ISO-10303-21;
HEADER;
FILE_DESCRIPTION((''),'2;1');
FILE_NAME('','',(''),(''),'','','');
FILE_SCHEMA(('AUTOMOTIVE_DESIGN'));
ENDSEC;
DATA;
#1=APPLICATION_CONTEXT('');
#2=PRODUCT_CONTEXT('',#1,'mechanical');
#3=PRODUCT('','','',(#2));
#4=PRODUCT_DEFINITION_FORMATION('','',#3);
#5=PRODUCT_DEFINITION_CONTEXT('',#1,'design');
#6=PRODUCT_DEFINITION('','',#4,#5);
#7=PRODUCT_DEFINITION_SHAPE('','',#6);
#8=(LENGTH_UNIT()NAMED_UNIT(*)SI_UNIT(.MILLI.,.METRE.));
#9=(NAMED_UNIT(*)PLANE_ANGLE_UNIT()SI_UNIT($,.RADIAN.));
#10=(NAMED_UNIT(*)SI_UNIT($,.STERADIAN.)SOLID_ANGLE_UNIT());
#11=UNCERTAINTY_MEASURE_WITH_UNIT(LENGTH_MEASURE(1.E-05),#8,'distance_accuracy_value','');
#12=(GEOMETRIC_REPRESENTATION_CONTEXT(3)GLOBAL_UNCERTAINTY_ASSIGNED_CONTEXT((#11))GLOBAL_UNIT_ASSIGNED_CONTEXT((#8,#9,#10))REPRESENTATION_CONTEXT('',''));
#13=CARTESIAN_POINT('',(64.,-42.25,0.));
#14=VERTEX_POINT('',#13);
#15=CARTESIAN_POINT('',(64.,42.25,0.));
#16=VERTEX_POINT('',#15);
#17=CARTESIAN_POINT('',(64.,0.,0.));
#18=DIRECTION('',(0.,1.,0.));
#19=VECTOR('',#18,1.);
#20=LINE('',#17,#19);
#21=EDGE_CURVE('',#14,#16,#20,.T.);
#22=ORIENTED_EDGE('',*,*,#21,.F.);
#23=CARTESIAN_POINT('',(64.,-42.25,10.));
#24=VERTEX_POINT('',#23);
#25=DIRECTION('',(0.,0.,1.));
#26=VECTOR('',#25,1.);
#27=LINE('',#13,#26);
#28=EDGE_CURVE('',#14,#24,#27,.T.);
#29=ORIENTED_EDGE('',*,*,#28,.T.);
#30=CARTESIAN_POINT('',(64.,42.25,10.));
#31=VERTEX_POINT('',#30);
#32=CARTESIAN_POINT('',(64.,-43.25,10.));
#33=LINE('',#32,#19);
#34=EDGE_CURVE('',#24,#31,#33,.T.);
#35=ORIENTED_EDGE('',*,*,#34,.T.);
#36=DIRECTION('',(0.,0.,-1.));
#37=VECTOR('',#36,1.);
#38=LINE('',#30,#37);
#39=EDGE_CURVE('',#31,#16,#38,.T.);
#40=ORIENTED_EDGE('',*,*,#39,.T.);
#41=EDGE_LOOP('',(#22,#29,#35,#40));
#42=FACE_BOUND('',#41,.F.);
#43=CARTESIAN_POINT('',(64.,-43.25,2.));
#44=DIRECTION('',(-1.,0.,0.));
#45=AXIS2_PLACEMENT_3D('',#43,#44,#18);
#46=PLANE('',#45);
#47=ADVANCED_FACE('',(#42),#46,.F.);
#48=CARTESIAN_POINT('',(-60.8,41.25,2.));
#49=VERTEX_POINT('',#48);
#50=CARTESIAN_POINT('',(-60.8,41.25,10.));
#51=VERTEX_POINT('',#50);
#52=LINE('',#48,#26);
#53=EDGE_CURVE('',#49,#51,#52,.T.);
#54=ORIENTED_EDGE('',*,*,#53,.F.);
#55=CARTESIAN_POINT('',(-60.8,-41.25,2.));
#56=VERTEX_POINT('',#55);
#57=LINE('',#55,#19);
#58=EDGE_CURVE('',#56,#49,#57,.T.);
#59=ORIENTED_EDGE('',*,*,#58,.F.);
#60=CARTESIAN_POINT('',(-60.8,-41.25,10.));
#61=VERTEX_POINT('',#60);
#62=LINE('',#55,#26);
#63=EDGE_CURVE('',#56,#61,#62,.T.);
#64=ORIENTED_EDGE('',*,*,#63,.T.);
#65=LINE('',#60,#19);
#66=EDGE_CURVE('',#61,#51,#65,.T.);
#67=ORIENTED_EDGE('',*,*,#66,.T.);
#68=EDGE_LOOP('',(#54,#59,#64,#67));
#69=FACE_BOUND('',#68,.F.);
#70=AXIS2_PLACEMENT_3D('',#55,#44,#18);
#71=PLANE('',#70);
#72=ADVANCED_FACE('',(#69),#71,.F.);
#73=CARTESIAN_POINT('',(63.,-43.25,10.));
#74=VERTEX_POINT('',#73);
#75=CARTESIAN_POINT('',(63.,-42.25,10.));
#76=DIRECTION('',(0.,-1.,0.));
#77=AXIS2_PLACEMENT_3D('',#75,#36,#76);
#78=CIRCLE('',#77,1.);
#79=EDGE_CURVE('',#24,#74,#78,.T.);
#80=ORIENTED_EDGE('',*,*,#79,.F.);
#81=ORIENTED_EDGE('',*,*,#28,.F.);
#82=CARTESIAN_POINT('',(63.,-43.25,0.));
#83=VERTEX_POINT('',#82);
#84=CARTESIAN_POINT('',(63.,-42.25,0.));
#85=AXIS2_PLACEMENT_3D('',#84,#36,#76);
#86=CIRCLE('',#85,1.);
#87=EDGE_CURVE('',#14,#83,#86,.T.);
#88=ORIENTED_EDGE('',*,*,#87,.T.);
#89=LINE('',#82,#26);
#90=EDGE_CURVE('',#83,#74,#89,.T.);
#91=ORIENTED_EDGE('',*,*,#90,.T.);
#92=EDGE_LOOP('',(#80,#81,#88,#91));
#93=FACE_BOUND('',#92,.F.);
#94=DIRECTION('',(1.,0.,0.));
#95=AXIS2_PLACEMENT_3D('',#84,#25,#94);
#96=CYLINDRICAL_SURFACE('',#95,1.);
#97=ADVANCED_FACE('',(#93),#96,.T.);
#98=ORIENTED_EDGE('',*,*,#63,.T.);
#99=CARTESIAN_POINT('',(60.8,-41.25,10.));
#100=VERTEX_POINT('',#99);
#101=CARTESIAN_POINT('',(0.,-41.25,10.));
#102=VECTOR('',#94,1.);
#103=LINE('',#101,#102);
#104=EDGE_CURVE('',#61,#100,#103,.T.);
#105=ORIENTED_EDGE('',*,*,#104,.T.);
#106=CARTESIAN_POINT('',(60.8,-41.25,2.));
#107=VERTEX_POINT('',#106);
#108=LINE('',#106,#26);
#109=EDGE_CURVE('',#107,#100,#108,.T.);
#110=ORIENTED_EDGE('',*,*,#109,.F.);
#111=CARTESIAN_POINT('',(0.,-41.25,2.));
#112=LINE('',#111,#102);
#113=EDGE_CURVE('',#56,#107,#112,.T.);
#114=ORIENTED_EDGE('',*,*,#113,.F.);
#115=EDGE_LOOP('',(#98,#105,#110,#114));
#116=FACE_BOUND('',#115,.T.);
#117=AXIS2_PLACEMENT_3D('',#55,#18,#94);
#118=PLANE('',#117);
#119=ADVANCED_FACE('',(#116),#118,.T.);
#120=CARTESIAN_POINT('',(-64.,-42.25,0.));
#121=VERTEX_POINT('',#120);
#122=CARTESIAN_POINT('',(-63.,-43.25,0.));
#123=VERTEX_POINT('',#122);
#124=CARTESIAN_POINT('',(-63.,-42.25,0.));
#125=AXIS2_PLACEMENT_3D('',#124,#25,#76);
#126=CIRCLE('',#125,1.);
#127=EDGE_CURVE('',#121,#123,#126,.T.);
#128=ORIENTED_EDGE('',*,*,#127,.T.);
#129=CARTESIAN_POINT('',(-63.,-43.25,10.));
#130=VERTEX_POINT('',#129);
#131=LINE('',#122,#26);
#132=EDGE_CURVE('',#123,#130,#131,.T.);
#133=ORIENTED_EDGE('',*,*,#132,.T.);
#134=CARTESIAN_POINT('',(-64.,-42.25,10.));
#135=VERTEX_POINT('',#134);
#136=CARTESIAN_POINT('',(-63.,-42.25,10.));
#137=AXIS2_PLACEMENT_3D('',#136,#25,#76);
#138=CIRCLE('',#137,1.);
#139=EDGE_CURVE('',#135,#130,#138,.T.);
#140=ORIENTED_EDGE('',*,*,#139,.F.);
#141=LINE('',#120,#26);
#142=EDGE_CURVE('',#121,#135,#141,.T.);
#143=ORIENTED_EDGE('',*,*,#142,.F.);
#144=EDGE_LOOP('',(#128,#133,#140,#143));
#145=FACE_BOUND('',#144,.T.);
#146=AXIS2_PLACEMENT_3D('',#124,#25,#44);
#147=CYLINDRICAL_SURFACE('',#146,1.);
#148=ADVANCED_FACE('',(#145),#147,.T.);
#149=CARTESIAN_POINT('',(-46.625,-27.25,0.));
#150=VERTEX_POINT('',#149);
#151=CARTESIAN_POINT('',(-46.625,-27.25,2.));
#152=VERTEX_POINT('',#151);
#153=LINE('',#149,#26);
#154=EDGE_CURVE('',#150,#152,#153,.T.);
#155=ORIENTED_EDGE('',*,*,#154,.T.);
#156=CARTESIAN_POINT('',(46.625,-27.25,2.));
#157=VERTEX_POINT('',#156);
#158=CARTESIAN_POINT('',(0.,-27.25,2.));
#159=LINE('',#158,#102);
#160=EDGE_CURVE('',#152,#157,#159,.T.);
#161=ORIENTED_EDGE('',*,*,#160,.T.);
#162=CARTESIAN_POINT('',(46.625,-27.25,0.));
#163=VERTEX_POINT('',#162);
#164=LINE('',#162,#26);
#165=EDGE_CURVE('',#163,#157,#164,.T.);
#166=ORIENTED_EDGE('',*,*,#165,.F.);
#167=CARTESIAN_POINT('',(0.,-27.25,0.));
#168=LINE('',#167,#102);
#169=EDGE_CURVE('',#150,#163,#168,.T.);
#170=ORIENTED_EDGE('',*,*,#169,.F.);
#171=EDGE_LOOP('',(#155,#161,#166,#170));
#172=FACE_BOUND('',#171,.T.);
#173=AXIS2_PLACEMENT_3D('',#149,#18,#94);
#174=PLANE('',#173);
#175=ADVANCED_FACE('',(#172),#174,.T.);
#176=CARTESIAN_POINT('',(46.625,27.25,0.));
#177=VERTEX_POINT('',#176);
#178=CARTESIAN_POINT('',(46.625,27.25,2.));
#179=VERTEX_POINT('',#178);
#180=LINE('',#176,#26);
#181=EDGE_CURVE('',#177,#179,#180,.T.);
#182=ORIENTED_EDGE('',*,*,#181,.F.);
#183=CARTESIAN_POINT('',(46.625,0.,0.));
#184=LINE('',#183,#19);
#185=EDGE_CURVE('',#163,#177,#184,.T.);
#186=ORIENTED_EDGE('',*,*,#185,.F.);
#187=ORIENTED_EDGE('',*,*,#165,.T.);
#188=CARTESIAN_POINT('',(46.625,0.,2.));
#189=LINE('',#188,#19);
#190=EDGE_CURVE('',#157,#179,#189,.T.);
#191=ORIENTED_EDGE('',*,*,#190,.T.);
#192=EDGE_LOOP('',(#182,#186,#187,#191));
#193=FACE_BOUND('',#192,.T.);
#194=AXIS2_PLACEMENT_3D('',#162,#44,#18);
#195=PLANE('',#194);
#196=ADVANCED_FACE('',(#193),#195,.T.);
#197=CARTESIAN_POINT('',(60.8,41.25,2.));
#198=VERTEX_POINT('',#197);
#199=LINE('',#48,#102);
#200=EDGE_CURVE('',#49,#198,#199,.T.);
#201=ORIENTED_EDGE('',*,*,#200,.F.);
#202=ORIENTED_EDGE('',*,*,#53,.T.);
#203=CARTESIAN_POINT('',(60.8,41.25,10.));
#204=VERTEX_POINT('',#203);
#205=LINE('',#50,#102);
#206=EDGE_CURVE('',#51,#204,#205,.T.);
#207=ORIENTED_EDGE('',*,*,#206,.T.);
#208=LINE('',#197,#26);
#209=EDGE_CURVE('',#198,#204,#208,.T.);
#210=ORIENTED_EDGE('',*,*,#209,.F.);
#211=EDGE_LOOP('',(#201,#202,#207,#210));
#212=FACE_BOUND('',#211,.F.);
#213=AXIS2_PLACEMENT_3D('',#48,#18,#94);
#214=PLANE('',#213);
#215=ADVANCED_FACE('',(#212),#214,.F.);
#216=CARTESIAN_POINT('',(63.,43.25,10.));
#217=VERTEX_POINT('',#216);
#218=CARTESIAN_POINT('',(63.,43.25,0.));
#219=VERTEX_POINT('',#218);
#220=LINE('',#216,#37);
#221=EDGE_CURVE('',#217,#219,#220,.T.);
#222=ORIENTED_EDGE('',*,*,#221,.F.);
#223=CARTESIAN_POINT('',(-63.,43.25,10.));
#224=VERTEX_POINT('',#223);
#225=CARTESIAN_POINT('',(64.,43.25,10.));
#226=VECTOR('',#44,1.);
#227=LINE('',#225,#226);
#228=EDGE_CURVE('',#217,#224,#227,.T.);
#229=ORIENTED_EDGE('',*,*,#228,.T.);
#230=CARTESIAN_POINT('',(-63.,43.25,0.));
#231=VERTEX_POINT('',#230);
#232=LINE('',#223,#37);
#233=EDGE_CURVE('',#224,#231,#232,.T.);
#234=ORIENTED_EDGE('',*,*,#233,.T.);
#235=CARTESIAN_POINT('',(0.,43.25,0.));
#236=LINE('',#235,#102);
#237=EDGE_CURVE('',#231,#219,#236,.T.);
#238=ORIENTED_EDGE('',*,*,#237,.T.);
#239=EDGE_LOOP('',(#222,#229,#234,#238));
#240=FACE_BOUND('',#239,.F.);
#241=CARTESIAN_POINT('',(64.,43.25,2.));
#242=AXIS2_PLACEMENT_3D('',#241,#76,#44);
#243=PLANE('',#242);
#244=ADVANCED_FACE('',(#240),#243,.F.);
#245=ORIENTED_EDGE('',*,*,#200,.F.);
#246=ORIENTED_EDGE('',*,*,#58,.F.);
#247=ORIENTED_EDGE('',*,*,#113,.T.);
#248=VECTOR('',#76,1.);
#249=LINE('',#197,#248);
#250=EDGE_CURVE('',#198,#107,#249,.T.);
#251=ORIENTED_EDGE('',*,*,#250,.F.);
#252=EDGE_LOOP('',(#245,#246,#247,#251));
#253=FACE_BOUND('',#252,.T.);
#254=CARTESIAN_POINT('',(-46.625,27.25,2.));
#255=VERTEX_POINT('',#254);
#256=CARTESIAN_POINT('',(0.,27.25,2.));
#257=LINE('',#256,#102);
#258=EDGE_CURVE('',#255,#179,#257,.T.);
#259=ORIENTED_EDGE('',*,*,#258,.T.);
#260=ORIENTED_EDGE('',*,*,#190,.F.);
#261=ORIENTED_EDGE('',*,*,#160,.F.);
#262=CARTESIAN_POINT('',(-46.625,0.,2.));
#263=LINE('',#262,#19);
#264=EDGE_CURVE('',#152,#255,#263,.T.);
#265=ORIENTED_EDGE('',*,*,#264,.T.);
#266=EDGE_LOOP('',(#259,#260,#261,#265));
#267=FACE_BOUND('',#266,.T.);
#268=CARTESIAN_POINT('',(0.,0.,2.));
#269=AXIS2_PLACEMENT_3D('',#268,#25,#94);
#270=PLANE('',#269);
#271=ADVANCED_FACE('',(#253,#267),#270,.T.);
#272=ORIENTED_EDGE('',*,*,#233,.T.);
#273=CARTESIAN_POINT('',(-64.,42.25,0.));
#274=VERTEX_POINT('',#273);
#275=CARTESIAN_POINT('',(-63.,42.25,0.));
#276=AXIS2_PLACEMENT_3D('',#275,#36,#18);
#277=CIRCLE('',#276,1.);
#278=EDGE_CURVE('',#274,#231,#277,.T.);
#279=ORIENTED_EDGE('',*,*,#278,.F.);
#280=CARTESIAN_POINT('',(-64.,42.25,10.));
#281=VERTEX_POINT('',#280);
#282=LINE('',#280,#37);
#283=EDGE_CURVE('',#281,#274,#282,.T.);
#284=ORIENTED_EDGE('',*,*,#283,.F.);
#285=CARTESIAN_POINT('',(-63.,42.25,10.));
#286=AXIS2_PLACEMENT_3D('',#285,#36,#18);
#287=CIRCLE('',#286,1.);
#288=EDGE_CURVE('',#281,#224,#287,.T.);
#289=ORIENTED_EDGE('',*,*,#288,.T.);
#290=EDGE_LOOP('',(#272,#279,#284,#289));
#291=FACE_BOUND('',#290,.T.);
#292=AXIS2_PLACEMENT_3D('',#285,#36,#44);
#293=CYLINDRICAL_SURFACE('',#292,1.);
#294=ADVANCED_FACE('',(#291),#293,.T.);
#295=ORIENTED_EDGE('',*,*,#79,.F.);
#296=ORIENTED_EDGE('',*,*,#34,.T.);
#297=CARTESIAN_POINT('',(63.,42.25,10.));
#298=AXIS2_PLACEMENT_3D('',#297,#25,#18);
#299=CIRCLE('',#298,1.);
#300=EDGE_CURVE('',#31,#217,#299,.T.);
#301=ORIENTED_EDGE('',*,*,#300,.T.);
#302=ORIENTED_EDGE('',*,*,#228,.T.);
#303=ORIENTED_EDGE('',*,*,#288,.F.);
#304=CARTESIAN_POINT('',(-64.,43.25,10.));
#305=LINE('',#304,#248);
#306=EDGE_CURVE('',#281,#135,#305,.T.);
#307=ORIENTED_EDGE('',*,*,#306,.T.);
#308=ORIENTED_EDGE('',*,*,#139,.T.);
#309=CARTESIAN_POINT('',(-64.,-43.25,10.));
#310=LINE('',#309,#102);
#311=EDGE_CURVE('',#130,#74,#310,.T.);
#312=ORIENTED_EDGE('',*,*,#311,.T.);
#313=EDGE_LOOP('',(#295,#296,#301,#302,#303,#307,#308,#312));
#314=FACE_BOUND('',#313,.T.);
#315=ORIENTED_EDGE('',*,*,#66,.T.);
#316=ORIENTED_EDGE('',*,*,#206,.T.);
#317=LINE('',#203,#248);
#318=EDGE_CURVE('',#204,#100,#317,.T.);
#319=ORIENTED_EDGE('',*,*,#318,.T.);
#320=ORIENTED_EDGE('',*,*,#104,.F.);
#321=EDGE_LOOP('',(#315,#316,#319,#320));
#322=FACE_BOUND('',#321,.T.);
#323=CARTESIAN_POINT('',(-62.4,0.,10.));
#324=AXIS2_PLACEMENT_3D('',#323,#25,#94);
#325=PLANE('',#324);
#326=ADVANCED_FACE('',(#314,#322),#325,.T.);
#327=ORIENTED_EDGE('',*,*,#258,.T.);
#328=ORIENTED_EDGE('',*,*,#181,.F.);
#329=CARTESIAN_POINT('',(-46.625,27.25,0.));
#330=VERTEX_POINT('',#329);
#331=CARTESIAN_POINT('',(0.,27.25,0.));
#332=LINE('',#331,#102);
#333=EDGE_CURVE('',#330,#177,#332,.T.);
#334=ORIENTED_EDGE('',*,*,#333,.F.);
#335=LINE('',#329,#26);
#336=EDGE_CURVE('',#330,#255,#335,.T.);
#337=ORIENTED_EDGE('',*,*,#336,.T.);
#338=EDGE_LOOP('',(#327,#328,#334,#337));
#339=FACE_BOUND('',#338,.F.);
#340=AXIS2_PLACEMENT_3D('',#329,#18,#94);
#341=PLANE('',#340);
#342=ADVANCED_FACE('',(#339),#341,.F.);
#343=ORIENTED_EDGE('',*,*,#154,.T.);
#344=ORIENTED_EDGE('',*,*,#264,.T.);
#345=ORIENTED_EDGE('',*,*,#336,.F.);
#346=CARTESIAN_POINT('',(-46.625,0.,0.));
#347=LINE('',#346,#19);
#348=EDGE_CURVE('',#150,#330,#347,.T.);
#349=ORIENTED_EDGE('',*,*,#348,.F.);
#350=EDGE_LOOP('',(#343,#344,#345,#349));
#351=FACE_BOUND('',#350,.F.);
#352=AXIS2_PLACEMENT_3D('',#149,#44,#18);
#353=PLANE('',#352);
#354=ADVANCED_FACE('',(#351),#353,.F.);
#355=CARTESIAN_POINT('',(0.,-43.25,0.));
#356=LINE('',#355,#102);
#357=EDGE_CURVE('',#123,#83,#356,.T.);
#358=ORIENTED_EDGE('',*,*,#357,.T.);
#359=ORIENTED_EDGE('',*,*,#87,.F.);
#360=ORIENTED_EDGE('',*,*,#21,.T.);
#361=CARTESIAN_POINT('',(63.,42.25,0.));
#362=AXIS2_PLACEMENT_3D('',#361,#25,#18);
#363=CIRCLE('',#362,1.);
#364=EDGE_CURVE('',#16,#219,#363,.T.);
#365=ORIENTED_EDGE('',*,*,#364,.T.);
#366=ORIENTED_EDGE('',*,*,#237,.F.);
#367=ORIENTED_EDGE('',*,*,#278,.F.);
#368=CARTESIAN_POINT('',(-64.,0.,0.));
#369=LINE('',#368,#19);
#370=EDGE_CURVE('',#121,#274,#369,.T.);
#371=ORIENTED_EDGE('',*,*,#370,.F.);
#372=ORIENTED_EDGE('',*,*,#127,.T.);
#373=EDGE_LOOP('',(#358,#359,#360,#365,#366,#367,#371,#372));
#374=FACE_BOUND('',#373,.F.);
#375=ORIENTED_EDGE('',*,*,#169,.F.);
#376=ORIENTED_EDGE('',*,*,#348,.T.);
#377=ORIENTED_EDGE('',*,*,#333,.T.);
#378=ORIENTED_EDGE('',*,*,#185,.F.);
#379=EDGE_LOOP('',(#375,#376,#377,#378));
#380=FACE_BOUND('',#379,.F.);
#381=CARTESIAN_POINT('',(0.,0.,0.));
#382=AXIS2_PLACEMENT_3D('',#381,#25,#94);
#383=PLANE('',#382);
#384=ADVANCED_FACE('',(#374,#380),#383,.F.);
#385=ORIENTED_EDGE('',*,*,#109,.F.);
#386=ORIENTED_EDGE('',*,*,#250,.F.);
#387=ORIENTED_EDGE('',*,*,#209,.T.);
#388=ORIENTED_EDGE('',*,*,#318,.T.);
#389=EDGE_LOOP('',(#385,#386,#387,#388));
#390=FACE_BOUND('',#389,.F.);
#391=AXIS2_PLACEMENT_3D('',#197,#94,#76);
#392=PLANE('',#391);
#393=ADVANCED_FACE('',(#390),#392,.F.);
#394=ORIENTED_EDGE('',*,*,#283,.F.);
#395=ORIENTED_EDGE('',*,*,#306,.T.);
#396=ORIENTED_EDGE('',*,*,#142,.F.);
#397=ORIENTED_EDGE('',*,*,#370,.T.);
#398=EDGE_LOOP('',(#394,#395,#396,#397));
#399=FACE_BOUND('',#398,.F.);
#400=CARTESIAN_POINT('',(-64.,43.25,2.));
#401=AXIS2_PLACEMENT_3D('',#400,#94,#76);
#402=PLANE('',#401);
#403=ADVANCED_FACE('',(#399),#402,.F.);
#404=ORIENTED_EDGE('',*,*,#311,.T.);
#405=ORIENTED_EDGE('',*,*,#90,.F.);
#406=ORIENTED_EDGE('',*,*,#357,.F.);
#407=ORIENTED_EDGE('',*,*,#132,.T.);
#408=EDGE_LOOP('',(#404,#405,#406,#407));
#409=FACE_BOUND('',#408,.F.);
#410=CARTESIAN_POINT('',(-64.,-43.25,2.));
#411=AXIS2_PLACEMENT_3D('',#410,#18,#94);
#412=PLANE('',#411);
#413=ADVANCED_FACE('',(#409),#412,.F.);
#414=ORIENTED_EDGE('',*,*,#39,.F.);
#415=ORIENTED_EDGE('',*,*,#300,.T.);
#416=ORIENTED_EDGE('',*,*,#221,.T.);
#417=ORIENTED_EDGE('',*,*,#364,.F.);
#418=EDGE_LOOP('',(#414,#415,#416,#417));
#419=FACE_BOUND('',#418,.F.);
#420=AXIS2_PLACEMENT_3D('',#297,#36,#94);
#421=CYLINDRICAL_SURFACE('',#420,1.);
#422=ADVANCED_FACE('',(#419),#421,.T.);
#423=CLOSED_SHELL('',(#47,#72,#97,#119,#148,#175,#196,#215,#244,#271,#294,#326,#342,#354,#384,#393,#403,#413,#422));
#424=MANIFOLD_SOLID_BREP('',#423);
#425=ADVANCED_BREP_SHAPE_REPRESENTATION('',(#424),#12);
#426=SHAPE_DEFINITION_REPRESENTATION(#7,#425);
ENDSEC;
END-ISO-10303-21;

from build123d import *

# Parameters (mm, degrees)
F0_W     = 128
F0_H     = 86.5
F0_W_2   = 93.25
F0_H_2   = 54.5
F1_DEPTH = 2
F2_W     = 3.2
F2_H     = 82.5
F2_H_2   = 2
F2_W_2   = 121.6
F3_DEPTH = 8
F4_R     = 1


with BuildPart() as f1:
    # F0 (on Top) → F1 (new body)
    with BuildSketch(Plane.XY):
        Rectangle(F0_W, F0_H)
        Rectangle(F0_W_2, F0_H_2, mode=Mode.SUBTRACT)
    extrude(amount=F1_DEPTH)

    # F2 (on face) → F3 (join)
    with BuildSketch(Plane.XY.offset(2)):
        with Locations((-62.4, 0)):
            Rectangle(F2_W, F2_H)
        with Locations((-62.4, 42.25)):
            Rectangle(F2_W, F2_H_2)
        with Locations((0, 42.25)):
            Rectangle(F2_W_2, F2_H_2)
        with Locations((62.4, 42.25)):
            Rectangle(F2_W, F2_H_2)
        with Locations((62.4, 0)):
            Rectangle(F2_W, F2_H)
        with Locations((62.4, -42.25)):
            Rectangle(F2_W, F2_H_2)
        with Locations((0, -42.25)):
            Rectangle(F2_W_2, F2_H_2)
        with Locations((-62.4, -42.25)):
            Rectangle(F2_W, F2_H_2)
    extrude(amount=F3_DEPTH)

    # F4
    f4_edges = [f1.edges().sort_by_distance(p)[0] for p in [
        (-64, -43.25, 5),
        (-64, 43.25, 5),
        (64, -43.25, 5),
        (64, 43.25, 5),
    ]]
    fillet(f4_edges, radius=F4_R)


solid = f1.part
